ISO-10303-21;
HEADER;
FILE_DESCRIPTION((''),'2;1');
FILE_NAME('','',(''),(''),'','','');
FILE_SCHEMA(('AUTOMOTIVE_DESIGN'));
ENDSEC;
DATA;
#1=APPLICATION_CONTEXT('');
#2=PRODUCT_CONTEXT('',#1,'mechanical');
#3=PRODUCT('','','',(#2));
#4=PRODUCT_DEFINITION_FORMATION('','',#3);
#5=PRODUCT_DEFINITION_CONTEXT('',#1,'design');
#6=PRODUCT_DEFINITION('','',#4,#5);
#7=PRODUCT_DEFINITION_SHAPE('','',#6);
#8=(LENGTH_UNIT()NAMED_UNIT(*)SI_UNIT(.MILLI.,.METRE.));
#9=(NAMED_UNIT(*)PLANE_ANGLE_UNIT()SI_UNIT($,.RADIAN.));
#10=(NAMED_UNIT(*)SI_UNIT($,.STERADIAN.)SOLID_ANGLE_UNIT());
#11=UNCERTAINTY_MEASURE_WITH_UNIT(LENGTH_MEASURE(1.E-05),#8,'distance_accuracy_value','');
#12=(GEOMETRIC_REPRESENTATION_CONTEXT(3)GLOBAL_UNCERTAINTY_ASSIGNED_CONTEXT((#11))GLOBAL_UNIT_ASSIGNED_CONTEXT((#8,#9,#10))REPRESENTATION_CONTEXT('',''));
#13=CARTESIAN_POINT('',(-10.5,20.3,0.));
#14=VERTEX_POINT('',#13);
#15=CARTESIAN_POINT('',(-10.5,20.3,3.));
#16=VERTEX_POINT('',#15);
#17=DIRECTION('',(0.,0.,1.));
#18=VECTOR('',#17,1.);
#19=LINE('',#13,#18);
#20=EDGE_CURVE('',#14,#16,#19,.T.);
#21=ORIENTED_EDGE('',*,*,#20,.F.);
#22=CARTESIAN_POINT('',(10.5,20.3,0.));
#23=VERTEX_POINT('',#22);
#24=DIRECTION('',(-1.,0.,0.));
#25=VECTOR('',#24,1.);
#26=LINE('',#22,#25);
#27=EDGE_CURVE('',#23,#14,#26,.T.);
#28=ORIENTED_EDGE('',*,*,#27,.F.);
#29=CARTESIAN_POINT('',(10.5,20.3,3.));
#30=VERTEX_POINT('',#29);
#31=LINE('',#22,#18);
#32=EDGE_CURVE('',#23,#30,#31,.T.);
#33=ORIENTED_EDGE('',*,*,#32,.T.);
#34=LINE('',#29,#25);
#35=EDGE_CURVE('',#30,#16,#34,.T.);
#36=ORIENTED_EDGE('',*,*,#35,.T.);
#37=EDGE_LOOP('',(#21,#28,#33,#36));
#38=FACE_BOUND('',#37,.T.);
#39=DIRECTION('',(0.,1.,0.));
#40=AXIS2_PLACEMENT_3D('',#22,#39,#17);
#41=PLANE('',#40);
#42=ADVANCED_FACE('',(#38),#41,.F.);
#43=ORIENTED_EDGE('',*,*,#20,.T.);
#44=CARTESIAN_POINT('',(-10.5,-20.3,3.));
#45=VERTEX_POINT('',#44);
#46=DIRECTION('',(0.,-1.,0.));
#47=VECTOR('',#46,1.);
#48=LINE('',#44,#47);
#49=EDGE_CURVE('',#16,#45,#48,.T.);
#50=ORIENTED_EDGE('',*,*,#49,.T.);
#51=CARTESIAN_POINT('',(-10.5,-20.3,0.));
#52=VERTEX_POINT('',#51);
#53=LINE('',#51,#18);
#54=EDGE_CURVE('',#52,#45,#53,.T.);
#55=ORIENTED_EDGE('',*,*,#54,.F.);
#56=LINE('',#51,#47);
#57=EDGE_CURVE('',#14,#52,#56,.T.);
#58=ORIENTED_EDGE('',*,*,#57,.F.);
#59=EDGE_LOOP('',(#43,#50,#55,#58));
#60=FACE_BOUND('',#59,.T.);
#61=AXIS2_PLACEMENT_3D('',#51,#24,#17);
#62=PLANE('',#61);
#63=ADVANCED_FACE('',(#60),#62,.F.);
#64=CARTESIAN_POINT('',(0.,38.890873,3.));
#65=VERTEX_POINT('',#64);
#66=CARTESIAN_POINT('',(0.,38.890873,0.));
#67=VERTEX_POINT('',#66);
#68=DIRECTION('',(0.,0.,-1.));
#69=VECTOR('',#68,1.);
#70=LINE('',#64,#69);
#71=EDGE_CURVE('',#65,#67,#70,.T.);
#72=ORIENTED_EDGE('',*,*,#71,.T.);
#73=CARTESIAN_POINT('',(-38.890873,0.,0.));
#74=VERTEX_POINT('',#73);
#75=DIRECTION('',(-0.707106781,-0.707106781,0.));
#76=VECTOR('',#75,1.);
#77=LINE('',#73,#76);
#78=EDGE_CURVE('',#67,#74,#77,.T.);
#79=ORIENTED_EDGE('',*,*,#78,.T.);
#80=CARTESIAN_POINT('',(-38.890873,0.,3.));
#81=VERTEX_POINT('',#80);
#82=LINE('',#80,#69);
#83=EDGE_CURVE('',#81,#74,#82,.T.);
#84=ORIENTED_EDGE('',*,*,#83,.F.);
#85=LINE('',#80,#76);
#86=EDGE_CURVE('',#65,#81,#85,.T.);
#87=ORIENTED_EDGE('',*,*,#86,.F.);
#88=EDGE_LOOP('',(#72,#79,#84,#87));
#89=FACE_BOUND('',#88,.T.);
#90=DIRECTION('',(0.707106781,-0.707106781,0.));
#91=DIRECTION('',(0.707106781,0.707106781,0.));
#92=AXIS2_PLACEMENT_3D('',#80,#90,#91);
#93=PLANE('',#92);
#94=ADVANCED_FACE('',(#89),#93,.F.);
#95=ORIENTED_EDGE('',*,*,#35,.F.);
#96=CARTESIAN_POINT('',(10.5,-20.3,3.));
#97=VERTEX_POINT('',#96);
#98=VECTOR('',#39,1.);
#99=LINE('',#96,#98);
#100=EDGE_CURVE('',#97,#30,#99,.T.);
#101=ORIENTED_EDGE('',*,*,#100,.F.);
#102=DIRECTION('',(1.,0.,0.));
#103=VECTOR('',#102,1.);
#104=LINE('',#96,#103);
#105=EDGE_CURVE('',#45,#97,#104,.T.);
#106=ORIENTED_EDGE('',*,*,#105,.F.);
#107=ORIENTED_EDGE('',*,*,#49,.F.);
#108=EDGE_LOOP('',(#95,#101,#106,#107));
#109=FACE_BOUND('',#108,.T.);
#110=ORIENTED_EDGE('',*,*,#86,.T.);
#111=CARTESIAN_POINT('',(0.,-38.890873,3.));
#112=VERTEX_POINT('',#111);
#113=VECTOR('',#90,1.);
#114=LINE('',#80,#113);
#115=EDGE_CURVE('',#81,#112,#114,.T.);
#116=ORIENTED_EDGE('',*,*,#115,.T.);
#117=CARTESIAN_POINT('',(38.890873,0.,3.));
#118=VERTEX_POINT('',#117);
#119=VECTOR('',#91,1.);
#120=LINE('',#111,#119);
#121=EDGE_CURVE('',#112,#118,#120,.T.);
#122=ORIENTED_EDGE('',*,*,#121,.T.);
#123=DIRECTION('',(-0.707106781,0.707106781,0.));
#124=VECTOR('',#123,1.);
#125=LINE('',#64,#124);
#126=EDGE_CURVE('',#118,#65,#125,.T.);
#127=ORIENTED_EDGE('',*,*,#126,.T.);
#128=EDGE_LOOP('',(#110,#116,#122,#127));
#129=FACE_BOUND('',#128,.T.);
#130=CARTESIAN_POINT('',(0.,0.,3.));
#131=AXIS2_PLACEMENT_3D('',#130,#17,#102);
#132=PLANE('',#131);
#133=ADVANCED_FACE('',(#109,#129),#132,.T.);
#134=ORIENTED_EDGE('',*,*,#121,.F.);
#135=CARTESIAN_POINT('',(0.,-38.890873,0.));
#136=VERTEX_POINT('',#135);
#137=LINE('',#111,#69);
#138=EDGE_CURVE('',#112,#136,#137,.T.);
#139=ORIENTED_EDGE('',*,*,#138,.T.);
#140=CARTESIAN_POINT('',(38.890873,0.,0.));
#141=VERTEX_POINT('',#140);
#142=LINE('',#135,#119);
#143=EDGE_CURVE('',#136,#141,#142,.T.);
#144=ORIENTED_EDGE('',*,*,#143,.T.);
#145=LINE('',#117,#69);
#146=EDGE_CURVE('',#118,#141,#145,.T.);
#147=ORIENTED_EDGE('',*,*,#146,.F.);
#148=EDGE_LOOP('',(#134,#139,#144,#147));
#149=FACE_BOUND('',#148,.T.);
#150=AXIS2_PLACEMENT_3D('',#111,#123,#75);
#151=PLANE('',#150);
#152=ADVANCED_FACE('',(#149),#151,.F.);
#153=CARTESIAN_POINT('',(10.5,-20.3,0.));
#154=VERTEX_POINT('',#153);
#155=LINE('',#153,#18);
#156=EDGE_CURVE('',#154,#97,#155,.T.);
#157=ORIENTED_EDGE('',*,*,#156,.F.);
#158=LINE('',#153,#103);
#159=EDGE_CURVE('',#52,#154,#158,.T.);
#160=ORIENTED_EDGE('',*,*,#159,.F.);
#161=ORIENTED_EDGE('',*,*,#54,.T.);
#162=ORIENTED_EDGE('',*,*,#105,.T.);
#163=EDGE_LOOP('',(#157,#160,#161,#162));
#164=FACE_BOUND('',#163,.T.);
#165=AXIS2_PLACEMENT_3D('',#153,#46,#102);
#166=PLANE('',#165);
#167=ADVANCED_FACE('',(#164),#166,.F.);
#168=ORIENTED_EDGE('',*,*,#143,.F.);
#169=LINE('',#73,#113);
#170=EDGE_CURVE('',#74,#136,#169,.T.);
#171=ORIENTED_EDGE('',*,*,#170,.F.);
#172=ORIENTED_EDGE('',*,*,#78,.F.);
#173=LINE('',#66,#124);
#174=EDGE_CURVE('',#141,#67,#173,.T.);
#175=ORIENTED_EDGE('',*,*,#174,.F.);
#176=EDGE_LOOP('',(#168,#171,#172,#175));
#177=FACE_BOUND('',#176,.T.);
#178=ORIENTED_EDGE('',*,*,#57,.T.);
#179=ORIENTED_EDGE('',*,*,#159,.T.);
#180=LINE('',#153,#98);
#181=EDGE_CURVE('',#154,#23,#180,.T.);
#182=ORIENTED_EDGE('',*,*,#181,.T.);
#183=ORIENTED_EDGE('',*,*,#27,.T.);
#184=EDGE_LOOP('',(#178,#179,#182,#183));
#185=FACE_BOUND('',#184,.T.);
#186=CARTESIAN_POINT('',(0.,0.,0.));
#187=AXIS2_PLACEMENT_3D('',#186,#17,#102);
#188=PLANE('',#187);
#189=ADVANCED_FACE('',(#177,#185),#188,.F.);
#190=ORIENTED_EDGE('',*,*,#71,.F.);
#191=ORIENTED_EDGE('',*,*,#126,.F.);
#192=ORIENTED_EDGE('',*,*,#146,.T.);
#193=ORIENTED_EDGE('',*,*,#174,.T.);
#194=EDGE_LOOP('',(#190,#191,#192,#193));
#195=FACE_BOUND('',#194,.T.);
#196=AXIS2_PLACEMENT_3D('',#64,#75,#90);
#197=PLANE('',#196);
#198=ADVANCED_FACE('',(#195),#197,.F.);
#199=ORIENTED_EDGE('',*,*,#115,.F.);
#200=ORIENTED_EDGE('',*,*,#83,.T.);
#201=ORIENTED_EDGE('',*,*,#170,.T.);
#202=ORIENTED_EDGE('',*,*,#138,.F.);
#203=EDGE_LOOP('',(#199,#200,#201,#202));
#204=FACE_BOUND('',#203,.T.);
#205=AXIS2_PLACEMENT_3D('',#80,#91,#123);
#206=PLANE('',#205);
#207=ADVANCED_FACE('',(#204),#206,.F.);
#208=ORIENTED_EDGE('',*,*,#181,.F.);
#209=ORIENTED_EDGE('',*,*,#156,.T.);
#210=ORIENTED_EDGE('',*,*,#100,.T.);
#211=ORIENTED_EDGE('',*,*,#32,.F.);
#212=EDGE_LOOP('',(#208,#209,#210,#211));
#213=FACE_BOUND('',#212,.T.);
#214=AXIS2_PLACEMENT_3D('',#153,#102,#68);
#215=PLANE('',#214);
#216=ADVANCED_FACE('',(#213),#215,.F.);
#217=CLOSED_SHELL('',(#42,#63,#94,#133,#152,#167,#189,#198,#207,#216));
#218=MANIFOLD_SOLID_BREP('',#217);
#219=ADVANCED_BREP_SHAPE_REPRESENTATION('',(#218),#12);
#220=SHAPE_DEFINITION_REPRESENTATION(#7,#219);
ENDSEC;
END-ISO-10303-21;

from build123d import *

# Parameters (mm, degrees)
BOSS_EXTRUDE1_DEPTH = 3
SKETCH2_W           = 21
SKETCH2_H           = 40.6
CUT_EXTRUDE1_DEPTH  = 3


with BuildPart() as part:
    # Sketch1 → Boss-Extrude1 (new body)
    with BuildSketch(Plane.XY):
        Polygon((-38.890872965, 0), (0, 38.890872965), (38.890872965, 0), (0, -38.890872965), align=None)
    extrude(amount=BOSS_EXTRUDE1_DEPTH)

    # Sketch2 → Cut-Extrude1 (cut)
    with BuildSketch(Plane.XY.offset(3)):
        Rectangle(SKETCH2_W, SKETCH2_H)
    extrude(amount=-CUT_EXTRUDE1_DEPTH, mode=Mode.SUBTRACT)


solid = part.part
